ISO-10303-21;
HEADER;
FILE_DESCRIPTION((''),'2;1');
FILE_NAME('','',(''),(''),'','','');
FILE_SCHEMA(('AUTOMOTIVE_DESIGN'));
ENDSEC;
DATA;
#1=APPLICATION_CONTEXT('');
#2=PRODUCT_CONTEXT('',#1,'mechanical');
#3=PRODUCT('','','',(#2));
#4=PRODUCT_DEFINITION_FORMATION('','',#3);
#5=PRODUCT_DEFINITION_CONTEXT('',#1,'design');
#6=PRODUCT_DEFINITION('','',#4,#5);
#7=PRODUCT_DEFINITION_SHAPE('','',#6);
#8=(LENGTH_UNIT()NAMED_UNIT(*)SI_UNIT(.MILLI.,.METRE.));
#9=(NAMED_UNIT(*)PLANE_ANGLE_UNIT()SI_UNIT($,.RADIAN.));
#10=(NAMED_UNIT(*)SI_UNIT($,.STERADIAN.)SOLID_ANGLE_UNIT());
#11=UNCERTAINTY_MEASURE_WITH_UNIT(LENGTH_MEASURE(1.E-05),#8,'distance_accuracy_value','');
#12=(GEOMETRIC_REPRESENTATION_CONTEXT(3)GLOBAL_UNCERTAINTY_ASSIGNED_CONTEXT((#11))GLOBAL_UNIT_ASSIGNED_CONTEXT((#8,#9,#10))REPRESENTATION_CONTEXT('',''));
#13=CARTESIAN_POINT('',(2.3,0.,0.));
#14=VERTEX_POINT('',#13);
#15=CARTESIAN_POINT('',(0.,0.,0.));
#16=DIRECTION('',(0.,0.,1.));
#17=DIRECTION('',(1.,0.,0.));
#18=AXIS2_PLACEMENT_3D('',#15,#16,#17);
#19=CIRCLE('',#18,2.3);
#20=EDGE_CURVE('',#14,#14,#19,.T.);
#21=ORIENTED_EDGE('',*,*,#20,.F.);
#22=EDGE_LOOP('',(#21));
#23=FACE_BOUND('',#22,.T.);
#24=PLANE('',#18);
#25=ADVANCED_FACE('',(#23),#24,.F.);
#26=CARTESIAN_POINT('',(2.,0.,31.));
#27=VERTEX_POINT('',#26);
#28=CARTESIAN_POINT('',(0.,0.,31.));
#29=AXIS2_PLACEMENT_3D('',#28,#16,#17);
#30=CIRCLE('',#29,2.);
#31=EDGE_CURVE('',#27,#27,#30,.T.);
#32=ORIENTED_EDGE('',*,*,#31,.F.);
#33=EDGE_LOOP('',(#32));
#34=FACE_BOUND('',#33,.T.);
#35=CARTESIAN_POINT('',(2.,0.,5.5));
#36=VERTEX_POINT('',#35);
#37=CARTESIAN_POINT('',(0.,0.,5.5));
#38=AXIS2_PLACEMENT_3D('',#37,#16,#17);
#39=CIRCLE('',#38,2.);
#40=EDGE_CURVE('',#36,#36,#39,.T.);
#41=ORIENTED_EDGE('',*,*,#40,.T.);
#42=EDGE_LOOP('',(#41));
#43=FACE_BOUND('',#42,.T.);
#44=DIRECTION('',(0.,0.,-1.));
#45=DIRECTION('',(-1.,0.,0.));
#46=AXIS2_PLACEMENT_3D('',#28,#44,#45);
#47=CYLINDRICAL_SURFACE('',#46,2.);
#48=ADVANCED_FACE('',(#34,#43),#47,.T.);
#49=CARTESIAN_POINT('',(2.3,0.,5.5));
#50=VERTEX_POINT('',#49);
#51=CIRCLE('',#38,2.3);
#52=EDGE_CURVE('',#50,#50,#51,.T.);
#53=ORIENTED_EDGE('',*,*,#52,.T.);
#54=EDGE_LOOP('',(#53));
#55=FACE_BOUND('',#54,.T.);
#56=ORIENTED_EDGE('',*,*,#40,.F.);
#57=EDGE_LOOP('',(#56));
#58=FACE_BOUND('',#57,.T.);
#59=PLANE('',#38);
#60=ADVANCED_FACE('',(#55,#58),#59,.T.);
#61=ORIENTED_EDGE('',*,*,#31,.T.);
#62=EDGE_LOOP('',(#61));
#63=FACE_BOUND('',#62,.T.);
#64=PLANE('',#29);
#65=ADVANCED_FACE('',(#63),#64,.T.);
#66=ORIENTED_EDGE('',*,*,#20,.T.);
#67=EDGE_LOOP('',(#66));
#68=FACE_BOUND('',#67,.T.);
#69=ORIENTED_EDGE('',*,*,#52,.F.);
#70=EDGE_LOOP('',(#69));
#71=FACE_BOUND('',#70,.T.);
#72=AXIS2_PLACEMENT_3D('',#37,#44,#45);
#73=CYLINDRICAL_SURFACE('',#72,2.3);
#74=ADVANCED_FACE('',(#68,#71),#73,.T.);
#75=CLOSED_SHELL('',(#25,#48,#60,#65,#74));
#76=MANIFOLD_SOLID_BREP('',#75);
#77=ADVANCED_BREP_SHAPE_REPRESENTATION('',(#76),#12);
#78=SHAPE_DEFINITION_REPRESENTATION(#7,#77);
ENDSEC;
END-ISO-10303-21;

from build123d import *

# Parameters (mm, degrees)
ESBO_O1_R                = 2.3
RESSALTO_EXTRUS_O1_DEPTH = 5.5
ESBO_O2_R                = 2
RESSALTO_EXTRUS_O2_DEPTH = 25.5


with BuildPart() as part:
    # Esboço1 → Ressalto-extrusão1 (new body)
    with BuildSketch(Plane.XY):
        Circle(ESBO_O1_R)
    extrude(amount=RESSALTO_EXTRUS_O1_DEPTH)

    # Esboço2 → Ressalto-extrusão2 (add)
    with BuildSketch(Plane.XY.offset(5.5)):
        Circle(ESBO_O2_R)
    extrude(amount=RESSALTO_EXTRUS_O2_DEPTH)


solid = part.part
